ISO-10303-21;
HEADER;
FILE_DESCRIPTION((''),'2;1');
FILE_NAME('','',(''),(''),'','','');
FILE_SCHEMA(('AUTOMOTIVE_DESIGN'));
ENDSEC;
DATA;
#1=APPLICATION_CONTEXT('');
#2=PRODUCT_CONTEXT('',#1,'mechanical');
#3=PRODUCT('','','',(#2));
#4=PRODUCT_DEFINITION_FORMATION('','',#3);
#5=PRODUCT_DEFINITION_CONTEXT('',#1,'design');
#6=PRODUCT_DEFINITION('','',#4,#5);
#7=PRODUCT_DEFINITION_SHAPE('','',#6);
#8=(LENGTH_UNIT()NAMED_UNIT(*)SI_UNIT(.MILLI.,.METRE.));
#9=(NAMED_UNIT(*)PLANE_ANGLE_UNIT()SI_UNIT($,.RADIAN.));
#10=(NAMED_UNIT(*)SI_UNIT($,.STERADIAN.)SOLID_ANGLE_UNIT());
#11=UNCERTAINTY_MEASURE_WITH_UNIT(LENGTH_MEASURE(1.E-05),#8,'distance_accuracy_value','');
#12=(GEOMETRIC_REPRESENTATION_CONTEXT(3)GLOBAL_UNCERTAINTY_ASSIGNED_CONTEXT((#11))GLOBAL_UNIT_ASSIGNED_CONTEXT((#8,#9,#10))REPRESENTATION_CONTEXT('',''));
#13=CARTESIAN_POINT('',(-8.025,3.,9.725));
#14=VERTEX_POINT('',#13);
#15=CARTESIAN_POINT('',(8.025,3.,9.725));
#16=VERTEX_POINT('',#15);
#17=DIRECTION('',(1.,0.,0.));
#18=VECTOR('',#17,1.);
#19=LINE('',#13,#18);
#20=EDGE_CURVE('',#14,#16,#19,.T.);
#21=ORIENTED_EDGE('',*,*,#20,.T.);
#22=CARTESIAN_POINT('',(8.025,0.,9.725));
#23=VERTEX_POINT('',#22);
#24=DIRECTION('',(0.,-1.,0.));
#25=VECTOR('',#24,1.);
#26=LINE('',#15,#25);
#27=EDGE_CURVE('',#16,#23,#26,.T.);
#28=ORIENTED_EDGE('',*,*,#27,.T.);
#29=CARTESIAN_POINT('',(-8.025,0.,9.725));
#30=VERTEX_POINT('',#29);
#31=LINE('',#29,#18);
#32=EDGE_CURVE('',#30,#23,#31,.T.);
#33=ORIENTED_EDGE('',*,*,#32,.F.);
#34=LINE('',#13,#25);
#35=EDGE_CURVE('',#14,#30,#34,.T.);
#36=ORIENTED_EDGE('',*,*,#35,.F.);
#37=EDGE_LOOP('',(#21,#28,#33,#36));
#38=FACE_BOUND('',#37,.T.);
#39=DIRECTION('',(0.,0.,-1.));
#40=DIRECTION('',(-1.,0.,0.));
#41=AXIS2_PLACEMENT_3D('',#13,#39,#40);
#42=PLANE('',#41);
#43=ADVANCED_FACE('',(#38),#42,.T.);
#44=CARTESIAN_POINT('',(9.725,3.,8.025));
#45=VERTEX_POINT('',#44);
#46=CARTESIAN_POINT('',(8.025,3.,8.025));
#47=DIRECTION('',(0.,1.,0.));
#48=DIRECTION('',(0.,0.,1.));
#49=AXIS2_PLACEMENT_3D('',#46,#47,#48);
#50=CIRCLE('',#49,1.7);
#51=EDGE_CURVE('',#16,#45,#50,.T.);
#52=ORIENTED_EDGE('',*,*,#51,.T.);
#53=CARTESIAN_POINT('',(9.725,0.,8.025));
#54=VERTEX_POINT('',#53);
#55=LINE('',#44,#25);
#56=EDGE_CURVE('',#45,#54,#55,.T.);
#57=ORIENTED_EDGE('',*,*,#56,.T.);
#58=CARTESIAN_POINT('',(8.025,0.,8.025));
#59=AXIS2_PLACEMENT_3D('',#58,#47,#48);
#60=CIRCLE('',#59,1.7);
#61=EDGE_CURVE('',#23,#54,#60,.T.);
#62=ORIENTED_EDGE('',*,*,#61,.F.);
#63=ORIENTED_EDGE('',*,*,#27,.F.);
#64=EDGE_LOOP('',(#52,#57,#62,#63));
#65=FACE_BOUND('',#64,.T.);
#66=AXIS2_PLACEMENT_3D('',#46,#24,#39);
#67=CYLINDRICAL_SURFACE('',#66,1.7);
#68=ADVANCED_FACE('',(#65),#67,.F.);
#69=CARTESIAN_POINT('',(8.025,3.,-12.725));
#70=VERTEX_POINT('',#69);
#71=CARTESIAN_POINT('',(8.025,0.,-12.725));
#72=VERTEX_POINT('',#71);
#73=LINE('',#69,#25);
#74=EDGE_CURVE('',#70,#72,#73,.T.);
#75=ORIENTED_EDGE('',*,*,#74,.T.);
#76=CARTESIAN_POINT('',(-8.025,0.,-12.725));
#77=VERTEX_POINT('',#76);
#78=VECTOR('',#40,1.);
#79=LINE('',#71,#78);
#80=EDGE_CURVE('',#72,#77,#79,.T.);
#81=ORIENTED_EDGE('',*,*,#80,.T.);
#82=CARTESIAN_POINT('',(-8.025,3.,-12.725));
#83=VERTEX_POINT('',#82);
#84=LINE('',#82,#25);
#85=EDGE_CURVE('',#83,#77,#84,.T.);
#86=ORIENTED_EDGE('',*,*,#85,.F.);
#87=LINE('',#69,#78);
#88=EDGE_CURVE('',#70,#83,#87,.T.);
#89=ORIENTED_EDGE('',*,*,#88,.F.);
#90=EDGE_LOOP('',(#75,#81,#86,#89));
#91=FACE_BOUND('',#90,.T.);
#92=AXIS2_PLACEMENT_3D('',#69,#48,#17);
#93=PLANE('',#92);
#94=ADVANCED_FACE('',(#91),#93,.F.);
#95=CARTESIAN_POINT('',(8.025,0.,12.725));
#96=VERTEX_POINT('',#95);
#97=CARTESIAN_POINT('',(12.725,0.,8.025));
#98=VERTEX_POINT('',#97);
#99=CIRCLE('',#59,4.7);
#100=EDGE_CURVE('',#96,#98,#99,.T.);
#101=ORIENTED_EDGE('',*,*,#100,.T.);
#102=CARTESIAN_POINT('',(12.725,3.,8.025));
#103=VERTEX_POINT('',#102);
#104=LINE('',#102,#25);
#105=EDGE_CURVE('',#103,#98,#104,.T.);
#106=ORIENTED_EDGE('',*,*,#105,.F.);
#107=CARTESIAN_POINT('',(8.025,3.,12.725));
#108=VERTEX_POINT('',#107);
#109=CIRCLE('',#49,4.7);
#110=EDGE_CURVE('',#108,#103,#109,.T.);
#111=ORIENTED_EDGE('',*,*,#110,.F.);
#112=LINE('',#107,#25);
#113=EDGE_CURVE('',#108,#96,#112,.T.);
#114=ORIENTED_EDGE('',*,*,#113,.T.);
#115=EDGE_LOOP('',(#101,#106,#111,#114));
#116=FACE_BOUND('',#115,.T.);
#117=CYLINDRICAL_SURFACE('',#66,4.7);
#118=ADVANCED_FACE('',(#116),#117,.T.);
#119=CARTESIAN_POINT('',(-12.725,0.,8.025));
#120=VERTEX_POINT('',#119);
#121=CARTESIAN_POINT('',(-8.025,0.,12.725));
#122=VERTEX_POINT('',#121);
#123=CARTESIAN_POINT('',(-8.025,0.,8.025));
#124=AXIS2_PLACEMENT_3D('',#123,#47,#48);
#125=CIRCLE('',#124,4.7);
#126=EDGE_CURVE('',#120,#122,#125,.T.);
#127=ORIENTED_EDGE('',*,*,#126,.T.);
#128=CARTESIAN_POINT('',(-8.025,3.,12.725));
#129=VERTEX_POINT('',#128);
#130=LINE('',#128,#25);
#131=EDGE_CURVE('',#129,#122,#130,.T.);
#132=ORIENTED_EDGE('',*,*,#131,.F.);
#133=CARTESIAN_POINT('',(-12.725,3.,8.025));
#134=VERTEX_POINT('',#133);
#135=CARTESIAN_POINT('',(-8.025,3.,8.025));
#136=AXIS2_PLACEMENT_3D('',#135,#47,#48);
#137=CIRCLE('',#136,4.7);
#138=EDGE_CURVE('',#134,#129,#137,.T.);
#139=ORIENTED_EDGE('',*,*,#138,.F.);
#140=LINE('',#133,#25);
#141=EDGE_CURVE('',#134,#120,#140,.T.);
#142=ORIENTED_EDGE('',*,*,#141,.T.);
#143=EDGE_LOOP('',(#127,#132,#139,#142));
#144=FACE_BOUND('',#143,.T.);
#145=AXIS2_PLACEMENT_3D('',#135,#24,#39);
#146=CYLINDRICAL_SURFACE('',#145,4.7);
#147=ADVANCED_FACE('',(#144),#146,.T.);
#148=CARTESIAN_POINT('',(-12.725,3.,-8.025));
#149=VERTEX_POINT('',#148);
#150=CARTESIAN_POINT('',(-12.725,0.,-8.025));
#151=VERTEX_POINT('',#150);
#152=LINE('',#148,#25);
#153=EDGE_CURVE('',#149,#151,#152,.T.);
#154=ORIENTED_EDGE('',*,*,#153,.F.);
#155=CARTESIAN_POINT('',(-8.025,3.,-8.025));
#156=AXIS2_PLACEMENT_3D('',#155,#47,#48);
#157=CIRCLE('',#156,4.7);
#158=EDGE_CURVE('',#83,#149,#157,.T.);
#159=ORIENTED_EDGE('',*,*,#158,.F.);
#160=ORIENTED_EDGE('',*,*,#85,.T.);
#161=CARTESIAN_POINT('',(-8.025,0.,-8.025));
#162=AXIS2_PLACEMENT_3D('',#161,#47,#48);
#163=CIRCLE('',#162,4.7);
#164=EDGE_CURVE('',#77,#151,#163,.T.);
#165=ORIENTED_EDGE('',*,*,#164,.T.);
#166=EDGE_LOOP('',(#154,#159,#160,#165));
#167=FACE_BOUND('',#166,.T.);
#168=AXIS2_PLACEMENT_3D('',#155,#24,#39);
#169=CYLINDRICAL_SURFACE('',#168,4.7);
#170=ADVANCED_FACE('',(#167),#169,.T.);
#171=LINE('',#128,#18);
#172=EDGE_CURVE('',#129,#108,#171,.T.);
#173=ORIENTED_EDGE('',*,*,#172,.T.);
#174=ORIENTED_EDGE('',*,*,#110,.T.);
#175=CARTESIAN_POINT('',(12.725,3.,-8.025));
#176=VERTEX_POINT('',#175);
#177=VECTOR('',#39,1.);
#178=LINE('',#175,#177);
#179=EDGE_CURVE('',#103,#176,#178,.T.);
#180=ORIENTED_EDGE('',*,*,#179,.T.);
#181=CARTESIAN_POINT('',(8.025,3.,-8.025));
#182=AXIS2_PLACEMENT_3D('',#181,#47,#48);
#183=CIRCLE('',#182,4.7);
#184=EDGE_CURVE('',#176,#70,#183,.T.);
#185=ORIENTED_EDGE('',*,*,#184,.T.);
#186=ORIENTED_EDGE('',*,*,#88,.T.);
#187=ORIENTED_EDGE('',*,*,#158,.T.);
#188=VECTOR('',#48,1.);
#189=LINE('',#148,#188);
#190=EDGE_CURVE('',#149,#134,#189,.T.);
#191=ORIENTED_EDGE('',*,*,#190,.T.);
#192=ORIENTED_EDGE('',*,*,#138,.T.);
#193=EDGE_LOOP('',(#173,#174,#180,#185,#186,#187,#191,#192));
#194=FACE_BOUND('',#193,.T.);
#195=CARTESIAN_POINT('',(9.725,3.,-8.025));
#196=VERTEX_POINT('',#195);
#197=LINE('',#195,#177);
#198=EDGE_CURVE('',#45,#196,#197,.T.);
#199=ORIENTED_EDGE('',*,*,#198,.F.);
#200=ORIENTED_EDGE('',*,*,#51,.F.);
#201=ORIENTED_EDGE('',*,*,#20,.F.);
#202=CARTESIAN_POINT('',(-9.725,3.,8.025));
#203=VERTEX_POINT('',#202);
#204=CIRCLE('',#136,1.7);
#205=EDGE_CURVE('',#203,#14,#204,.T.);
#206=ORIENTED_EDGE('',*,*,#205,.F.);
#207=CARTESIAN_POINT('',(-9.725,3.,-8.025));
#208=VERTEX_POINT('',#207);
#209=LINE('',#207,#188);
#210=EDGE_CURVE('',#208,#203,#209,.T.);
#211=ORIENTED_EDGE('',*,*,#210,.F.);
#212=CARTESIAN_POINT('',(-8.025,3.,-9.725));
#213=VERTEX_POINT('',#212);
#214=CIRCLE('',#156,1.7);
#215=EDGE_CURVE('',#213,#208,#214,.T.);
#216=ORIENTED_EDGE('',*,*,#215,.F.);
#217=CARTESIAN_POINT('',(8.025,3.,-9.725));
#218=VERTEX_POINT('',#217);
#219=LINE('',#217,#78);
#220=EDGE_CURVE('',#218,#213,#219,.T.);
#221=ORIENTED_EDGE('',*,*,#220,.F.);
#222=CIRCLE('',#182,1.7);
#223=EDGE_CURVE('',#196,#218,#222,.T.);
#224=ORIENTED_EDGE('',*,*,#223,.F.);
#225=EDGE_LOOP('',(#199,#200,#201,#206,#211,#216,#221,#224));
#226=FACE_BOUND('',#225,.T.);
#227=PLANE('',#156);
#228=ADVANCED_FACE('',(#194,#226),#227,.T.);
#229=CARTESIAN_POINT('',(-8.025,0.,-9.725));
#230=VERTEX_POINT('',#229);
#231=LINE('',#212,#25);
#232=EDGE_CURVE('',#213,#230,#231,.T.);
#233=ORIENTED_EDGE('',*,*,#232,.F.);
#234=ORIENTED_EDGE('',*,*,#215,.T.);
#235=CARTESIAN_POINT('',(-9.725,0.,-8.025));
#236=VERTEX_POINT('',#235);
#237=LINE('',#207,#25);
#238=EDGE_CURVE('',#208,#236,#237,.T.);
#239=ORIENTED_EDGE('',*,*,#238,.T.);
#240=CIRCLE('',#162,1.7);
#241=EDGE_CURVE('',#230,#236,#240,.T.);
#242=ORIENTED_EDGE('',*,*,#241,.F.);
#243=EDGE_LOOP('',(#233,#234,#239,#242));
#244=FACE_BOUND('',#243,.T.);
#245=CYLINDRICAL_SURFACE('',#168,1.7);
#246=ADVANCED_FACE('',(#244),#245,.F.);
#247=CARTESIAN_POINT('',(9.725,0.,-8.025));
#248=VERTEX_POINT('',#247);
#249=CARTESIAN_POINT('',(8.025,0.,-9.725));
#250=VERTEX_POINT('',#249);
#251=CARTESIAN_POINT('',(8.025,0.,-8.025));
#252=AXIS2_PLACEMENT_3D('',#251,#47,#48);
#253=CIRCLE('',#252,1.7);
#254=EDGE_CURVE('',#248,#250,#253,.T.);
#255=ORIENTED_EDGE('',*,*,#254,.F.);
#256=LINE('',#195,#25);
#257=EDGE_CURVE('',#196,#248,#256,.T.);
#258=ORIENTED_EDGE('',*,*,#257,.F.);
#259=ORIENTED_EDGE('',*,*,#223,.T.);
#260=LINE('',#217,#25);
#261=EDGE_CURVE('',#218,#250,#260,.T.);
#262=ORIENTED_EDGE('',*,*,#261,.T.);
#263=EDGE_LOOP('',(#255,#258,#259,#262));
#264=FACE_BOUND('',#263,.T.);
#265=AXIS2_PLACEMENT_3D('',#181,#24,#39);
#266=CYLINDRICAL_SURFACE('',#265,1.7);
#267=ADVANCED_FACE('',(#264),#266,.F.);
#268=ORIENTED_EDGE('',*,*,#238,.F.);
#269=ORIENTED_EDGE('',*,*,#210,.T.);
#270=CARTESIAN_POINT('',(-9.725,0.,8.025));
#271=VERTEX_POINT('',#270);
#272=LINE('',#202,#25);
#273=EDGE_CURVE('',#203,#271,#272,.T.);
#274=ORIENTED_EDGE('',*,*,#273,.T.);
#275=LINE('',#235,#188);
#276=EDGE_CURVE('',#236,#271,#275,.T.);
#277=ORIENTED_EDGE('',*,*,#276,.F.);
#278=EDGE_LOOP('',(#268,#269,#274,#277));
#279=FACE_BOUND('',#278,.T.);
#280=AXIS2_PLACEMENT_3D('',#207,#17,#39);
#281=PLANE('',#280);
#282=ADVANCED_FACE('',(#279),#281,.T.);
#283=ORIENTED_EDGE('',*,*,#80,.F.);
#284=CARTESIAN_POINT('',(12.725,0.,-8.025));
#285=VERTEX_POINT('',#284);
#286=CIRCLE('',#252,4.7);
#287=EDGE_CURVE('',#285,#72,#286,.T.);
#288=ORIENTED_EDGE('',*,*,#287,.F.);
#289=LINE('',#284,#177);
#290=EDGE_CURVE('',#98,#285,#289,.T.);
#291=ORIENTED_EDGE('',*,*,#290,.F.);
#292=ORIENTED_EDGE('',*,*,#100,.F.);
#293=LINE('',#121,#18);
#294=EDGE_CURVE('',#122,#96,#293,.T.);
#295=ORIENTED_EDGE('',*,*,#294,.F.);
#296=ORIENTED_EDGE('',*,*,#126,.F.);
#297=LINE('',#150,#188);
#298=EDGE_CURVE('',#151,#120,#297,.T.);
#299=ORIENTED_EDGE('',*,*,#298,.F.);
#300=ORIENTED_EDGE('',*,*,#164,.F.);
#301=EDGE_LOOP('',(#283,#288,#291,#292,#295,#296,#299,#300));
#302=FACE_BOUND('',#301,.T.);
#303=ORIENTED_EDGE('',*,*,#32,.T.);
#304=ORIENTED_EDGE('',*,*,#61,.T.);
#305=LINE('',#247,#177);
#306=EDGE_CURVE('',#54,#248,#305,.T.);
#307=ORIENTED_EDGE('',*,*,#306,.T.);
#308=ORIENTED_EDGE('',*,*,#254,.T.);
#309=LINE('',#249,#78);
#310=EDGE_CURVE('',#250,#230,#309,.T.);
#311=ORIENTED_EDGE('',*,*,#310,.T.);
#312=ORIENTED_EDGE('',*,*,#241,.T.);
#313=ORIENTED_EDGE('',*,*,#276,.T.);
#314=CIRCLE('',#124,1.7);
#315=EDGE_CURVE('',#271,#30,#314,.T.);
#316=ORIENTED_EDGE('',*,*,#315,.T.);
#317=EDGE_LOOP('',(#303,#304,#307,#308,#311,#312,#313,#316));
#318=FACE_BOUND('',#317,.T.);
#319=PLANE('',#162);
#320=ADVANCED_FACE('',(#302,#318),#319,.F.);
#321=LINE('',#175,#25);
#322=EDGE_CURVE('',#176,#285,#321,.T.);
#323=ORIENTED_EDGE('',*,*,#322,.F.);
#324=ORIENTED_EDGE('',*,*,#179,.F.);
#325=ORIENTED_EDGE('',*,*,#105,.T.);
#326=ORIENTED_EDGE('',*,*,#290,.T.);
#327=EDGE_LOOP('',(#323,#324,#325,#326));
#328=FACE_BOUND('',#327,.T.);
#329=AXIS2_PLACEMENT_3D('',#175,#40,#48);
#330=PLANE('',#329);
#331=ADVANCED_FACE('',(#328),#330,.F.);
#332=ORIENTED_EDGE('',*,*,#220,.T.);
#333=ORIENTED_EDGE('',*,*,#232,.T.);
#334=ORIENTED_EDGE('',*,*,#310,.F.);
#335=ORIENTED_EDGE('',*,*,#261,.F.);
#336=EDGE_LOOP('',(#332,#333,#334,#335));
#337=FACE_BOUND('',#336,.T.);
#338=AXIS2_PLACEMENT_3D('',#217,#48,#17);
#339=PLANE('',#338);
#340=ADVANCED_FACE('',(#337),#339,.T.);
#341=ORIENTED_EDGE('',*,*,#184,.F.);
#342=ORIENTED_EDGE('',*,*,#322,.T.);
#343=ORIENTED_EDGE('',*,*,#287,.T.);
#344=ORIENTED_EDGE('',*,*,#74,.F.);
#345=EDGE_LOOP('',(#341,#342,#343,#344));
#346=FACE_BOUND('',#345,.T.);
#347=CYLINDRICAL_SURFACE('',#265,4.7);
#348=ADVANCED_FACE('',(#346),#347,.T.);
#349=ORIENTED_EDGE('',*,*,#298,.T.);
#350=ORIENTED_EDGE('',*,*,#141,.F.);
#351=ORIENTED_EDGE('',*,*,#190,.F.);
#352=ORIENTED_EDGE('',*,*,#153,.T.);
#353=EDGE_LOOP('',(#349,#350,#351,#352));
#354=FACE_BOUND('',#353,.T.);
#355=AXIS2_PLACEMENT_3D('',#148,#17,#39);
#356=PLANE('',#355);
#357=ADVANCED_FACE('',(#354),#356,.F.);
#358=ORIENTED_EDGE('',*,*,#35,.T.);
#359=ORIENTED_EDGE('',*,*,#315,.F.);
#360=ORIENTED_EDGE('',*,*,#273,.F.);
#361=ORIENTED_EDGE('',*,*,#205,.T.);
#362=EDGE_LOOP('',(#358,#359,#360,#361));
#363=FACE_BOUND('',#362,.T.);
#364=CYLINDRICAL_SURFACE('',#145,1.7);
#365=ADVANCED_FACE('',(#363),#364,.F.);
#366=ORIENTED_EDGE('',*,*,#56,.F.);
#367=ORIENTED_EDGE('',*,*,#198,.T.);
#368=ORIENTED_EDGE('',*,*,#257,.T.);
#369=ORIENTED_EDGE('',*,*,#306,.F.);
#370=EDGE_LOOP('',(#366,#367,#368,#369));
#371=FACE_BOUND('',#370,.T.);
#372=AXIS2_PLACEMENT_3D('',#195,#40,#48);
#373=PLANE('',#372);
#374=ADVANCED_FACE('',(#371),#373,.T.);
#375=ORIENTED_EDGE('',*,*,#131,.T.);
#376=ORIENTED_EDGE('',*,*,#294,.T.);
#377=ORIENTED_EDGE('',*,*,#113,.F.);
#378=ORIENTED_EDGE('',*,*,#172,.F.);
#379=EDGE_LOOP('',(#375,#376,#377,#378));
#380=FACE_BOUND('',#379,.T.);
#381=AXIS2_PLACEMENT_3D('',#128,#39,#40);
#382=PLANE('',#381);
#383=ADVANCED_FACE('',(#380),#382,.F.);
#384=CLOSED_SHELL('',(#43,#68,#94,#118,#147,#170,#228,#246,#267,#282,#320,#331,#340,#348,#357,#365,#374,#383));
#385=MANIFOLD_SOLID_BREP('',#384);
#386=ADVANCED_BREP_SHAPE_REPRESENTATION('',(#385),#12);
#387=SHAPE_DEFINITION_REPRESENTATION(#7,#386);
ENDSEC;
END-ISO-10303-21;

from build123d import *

# Parameters (mm, degrees)
BOSS_EXTRUDE1_DEPTH = 3


with BuildPart() as part:
    # Sketch1 → Boss-Extrude1 (new body)
    with BuildSketch(Plane(origin=(0, 0, 0), x_dir=(1, 0, 0), z_dir=(0, 1, 0))):
        with BuildLine():
            Line((-12.725, 8.025), (-12.725, -8.025))
            ThreePointArc((-12.725, -8.025), (-11.348401872, -11.348401872), (-8.025, -12.725))
            Line((-8.025, -12.725), (8.025, -12.725))
            ThreePointArc((8.025, -12.725), (11.348401872, -11.348401872), (12.725, -8.025))
            Line((12.725, -8.025), (12.725, 8.025))
            ThreePointArc((12.725, 8.025), (11.348401872, 11.348401872), (8.025, 12.725))
            Line((8.025, 12.725), (-8.025, 12.725))
            ThreePointArc((-8.025, 12.725), (-11.348401872, 11.348401872), (-12.725, 8.025))
        make_face()
        with BuildLine():
            Line((-9.725, 8.025), (-9.725, -8.025))
            ThreePointArc((-9.725, -8.025), (-9.227081528, -9.227081528), (-8.025, -9.725))
            Line((-8.025, -9.725), (8.025, -9.725))
            ThreePointArc((8.025, -9.725), (9.227081528, -9.227081528), (9.725, -8.025))
            Line((9.725, -8.025), (9.725, 8.025))
            ThreePointArc((9.725, 8.025), (9.227081528, 9.227081528), (8.025, 9.725))
            Line((8.025, 9.725), (-8.025, 9.725))
            ThreePointArc((-8.025, 9.725), (-9.227081528, 9.227081528), (-9.725, 8.025))
        make_face(mode=Mode.SUBTRACT)
    extrude(amount=BOSS_EXTRUDE1_DEPTH)


solid = part.part
